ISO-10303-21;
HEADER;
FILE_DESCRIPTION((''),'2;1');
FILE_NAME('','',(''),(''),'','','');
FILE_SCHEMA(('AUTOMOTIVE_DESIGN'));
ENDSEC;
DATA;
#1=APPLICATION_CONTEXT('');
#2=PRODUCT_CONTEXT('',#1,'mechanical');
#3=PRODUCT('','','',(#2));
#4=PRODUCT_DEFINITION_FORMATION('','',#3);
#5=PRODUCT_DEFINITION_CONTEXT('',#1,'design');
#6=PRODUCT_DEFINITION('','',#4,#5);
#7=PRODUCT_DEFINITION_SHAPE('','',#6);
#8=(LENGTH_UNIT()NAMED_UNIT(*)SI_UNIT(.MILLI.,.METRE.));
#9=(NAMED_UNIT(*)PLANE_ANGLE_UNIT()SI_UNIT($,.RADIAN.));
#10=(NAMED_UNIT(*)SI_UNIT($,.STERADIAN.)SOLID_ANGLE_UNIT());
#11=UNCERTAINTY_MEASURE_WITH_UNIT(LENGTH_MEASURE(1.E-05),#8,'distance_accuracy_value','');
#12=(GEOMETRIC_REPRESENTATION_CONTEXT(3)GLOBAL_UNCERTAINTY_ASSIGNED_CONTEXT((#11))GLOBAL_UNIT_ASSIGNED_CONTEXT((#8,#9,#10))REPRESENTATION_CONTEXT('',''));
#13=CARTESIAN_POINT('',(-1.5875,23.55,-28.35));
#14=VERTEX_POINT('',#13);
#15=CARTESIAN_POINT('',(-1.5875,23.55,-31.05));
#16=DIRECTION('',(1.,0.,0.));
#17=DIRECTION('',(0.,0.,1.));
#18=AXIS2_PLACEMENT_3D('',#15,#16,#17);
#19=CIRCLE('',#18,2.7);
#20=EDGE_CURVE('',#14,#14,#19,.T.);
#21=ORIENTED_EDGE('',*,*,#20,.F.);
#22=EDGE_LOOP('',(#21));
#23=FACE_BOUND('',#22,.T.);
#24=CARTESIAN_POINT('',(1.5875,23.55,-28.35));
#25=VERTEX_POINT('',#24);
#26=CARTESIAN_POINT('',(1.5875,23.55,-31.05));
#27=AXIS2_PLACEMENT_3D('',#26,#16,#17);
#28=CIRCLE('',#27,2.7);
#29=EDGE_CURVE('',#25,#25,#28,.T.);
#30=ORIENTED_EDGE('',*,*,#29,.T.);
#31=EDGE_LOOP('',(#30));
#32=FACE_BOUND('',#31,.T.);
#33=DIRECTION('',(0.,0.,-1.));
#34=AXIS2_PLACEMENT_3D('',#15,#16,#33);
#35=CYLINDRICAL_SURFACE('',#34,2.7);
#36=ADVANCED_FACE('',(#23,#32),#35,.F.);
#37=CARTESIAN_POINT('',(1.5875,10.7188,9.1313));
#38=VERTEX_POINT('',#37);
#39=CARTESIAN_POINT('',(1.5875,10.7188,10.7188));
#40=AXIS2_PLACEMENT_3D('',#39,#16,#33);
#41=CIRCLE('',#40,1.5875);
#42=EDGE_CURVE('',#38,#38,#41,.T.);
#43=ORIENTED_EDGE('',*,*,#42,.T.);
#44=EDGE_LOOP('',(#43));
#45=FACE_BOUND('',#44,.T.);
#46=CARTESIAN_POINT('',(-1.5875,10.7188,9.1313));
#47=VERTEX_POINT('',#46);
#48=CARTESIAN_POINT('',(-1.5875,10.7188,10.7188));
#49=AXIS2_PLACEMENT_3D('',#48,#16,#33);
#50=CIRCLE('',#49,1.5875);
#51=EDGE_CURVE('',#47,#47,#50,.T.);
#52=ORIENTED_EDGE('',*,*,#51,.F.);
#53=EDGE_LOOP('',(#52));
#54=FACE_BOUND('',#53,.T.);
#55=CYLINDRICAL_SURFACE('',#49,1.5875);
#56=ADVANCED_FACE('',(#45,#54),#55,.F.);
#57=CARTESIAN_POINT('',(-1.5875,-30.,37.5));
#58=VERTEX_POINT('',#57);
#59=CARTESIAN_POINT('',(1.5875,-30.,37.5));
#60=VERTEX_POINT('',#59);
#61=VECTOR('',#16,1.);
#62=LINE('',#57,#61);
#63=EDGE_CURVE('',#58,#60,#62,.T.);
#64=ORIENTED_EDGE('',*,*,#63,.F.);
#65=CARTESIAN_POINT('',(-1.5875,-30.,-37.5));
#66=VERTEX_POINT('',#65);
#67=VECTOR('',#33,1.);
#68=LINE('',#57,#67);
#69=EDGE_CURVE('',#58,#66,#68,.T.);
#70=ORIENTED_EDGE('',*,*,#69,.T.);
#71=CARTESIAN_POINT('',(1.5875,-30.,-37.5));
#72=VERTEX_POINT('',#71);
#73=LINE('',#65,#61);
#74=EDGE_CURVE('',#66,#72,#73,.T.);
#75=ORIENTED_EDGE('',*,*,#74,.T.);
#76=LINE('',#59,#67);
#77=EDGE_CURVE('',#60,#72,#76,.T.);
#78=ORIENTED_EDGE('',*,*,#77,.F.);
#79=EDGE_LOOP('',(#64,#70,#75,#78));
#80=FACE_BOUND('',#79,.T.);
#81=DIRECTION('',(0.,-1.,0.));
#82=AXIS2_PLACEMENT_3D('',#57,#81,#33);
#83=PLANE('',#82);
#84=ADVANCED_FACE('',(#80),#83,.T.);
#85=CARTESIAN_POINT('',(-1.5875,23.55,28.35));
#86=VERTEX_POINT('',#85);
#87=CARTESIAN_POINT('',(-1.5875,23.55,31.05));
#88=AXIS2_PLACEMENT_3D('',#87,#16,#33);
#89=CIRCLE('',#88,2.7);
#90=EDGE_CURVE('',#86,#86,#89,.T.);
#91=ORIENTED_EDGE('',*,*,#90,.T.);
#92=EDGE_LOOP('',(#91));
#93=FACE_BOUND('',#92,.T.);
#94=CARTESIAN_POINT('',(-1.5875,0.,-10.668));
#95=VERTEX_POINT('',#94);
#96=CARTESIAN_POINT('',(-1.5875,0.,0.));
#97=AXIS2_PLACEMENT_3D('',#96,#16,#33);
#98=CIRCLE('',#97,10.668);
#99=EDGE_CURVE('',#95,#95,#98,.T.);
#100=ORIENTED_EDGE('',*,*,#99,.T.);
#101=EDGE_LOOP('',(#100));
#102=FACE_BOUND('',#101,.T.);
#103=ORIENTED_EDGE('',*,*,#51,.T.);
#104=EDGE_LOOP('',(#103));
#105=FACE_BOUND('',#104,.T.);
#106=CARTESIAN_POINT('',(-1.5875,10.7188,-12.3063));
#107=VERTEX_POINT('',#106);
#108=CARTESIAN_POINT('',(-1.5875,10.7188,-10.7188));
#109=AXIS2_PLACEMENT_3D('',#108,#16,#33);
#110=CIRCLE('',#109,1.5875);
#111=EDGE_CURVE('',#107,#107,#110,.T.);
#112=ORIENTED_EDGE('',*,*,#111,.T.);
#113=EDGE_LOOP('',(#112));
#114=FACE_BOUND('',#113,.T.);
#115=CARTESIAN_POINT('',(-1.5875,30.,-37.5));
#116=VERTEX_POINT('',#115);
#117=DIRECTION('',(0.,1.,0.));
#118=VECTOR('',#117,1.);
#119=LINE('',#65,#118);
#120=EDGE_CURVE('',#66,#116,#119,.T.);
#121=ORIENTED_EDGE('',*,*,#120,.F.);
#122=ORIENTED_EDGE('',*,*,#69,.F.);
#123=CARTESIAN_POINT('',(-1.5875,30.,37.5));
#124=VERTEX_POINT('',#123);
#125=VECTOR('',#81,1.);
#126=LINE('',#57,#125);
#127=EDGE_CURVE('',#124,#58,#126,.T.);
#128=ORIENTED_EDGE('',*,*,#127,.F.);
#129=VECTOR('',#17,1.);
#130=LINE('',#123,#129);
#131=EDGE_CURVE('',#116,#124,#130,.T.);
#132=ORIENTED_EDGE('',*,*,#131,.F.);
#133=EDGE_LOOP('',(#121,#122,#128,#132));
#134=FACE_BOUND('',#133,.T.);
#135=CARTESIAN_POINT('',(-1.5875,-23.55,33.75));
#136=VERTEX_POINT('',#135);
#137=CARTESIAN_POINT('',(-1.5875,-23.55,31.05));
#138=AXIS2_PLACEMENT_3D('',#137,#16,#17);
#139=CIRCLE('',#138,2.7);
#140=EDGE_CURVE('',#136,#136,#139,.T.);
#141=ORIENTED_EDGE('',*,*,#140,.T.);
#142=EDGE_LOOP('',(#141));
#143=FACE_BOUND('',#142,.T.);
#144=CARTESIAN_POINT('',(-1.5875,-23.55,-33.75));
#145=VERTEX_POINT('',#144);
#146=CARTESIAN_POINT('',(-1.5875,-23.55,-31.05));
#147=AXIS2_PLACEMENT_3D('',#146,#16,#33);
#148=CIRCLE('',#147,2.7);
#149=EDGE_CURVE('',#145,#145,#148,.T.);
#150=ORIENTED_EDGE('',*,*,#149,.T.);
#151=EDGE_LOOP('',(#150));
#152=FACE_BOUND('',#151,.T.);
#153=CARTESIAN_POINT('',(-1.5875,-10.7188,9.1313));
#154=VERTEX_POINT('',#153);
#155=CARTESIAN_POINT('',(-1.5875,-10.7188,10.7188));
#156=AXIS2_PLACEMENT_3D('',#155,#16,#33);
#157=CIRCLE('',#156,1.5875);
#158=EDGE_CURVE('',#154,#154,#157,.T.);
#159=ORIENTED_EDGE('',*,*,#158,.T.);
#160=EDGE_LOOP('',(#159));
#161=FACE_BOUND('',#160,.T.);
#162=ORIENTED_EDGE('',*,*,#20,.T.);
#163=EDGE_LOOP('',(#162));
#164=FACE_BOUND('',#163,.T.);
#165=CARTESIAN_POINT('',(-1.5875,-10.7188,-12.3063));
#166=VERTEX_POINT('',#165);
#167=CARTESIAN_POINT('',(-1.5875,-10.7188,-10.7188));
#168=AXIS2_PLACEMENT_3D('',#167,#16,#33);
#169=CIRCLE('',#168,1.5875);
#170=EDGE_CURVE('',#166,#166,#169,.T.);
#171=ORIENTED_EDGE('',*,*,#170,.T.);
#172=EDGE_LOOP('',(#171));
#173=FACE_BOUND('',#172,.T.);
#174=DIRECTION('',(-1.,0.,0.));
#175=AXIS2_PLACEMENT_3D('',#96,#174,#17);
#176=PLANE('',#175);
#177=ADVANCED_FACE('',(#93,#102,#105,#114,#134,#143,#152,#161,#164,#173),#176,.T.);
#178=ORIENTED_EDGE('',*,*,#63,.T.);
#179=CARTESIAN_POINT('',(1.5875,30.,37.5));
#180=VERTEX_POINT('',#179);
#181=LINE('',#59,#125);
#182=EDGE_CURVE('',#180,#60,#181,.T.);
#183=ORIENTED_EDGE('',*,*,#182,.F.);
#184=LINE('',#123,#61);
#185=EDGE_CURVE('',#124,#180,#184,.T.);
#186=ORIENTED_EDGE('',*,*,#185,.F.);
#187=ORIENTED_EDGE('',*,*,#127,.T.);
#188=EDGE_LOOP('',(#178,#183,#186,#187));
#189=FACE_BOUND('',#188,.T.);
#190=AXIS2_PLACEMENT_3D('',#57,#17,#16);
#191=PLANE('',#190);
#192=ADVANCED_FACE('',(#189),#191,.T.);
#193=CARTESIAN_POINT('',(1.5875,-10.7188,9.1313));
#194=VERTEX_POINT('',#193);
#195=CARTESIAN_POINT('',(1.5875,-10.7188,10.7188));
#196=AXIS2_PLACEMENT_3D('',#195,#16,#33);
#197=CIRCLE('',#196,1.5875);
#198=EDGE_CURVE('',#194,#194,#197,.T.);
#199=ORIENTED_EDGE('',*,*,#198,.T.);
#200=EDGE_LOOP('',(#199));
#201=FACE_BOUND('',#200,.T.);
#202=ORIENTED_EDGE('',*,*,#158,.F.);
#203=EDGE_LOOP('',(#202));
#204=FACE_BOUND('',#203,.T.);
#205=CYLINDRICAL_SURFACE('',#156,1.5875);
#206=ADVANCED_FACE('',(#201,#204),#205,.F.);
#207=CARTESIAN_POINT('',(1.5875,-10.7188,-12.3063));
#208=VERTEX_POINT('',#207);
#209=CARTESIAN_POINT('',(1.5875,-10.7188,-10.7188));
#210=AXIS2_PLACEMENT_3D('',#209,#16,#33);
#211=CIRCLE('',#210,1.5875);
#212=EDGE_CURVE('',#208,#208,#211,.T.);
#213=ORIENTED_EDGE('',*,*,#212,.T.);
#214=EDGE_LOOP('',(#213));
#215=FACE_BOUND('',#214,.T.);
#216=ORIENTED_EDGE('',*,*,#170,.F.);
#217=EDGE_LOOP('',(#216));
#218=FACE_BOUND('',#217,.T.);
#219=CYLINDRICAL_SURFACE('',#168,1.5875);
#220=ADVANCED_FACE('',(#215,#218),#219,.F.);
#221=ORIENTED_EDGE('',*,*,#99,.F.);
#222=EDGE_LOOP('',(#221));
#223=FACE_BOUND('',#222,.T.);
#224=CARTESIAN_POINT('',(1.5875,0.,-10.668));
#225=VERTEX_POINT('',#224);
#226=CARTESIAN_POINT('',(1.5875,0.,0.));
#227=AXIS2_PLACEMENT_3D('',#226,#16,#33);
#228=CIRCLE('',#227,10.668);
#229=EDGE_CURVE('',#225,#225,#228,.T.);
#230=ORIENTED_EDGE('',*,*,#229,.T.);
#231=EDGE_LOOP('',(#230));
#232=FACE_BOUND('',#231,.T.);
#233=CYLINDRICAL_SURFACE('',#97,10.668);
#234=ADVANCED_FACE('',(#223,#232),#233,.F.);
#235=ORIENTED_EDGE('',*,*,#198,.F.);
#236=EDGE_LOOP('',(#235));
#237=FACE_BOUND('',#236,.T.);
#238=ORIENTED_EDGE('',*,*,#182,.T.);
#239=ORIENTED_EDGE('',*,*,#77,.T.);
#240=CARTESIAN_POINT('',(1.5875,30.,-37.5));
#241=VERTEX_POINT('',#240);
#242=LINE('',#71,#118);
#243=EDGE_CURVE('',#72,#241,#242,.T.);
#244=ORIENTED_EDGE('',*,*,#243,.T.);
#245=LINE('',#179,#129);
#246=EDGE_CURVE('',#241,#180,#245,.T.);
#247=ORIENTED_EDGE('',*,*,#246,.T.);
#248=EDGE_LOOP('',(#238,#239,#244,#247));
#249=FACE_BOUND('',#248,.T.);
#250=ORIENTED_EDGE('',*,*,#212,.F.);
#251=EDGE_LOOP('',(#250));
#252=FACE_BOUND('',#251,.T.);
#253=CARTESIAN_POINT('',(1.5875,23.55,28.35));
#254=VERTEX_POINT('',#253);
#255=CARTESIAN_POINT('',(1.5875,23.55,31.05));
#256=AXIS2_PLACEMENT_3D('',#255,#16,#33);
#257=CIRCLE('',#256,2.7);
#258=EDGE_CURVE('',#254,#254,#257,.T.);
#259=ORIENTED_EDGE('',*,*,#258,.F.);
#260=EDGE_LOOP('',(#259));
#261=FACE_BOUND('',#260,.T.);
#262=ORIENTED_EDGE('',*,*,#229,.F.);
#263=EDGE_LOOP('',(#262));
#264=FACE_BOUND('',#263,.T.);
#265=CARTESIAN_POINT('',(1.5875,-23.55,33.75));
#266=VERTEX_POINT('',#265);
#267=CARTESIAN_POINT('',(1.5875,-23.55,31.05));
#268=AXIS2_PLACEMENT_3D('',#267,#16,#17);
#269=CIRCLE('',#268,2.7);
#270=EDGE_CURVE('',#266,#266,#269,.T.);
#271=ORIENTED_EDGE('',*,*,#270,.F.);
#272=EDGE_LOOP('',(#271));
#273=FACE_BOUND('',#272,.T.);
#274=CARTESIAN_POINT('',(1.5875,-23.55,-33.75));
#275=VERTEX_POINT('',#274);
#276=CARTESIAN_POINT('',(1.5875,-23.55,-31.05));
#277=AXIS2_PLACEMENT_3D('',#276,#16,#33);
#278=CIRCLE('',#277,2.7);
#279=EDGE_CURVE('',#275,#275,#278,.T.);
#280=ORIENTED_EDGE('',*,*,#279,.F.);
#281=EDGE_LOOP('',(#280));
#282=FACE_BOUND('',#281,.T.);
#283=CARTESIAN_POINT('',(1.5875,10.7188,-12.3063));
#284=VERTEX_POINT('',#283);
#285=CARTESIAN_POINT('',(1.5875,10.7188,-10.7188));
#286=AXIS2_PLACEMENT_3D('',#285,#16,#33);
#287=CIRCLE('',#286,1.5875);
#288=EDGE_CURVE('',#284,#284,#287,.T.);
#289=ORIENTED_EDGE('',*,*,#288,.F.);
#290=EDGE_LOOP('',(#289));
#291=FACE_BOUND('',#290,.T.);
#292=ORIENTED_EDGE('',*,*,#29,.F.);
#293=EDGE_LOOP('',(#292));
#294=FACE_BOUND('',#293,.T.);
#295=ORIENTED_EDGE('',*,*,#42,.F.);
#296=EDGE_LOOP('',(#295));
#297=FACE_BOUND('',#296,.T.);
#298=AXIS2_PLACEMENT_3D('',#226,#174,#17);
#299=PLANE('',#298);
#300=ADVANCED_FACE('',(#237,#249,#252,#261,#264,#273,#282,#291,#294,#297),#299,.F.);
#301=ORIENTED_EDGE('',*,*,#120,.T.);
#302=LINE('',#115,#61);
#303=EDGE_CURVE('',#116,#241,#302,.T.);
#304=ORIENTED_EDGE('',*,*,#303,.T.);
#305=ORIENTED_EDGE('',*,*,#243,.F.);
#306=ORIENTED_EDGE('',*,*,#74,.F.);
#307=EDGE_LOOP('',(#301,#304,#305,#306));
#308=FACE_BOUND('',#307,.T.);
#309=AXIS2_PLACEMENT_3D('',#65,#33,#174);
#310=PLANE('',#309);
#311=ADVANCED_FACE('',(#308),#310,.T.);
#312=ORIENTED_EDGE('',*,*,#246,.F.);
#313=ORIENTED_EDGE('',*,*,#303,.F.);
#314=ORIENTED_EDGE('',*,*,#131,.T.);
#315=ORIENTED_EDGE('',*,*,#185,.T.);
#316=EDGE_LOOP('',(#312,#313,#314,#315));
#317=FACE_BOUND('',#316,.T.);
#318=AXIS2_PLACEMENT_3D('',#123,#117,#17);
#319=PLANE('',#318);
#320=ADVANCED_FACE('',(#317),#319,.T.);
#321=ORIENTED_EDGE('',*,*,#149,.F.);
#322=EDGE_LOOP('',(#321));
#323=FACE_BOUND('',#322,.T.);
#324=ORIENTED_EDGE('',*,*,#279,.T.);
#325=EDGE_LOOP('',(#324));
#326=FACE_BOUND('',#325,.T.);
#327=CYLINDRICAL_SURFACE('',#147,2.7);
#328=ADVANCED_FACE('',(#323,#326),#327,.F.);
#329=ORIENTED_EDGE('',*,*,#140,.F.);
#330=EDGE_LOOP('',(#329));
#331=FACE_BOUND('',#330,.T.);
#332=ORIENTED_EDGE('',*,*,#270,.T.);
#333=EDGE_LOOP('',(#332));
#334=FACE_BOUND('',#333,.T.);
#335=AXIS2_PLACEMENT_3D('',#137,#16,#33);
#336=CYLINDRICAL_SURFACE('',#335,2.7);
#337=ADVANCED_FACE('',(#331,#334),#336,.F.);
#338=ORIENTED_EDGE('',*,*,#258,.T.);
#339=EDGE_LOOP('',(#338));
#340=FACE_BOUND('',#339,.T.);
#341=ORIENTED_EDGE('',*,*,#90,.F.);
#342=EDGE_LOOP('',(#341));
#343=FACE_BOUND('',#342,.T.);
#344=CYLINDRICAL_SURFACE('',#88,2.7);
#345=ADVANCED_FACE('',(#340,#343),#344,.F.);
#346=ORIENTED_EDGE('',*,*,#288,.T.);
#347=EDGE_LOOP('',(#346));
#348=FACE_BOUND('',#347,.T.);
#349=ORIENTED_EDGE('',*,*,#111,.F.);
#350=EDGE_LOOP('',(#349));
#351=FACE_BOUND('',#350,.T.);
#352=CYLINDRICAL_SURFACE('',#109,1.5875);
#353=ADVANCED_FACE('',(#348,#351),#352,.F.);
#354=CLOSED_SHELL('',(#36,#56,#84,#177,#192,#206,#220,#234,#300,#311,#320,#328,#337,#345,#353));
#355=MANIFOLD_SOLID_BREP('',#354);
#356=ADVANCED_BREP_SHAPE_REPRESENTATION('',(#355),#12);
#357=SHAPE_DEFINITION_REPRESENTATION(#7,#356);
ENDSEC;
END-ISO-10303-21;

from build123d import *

# Parameters (mm, degrees)
BOSS_EXTRUDE1_DEPTH      = 1.5875
BOSS_EXTRUDE1_DEPTH_BACK = 1.5875
SKETCH1_W                = 75
SKETCH1_H                = 60
CUT_EXTRUDE1_DEPTH       = 49.049663435
CUT_EXTRUDE1_DEPTH_BACK  = 49.049663435
SKETCH2_R                = 2.7
CUT_EXTRUDE2_DEPTH       = 49.049663435
CUT_EXTRUDE2_DEPTH_BACK  = 49.049663435
SKETCH3_R                = 10.668
SKETCH3_R_2              = 1.5875


with BuildPart() as part:
    # Sketch1 → Boss-Extrude1 (new, two sides: drawn at the far end of the back side and taken through both)
    with BuildSketch(Plane(origin=(0, 0, 0), x_dir=(0, 0, -1), z_dir=(1, 0, 0)).offset(-BOSS_EXTRUDE1_DEPTH_BACK)):
        Rectangle(SKETCH1_W, SKETCH1_H)
    extrude(amount=BOSS_EXTRUDE1_DEPTH + BOSS_EXTRUDE1_DEPTH_BACK)

    # Sketch2 → Cut-Extrude1 (cut, two sides: drawn at the far end of the back side and taken through both)
    with BuildSketch(Plane(origin=(0, 0, 0), x_dir=(0, 0, -1), z_dir=(1, 0, 0)).offset(-CUT_EXTRUDE1_DEPTH_BACK)):
        with Locations((-31.05, 23.55)):
            Circle(SKETCH2_R)
        with Locations((31.05, 23.55)):
            Circle(SKETCH2_R)
        with Locations((31.05, -23.55)):
            Circle(SKETCH2_R)
        with Locations((-31.05, -23.55)):
            Circle(SKETCH2_R)
    extrude(amount=CUT_EXTRUDE1_DEPTH + CUT_EXTRUDE1_DEPTH_BACK, mode=Mode.SUBTRACT)

    # Sketch3 → Cut-Extrude2 (cut, two sides: drawn at the far end of the back side and taken through both)
    with BuildSketch(Plane(origin=(0, 0, 0), x_dir=(0, 0, -1), z_dir=(1, 0, 0)).offset(-CUT_EXTRUDE2_DEPTH_BACK)):
        Circle(SKETCH3_R)
        with Locations((-10.7188, 10.7188)):
            Circle(SKETCH3_R_2)
        with Locations((10.7188, 10.7188)):
            Circle(SKETCH3_R_2)
        with Locations((10.7188, -10.7188)):
            Circle(SKETCH3_R_2)
        with Locations((-10.7188, -10.7188)):
            Circle(SKETCH3_R_2)
    extrude(amount=CUT_EXTRUDE2_DEPTH + CUT_EXTRUDE2_DEPTH_BACK, mode=Mode.SUBTRACT)


solid = part.part
